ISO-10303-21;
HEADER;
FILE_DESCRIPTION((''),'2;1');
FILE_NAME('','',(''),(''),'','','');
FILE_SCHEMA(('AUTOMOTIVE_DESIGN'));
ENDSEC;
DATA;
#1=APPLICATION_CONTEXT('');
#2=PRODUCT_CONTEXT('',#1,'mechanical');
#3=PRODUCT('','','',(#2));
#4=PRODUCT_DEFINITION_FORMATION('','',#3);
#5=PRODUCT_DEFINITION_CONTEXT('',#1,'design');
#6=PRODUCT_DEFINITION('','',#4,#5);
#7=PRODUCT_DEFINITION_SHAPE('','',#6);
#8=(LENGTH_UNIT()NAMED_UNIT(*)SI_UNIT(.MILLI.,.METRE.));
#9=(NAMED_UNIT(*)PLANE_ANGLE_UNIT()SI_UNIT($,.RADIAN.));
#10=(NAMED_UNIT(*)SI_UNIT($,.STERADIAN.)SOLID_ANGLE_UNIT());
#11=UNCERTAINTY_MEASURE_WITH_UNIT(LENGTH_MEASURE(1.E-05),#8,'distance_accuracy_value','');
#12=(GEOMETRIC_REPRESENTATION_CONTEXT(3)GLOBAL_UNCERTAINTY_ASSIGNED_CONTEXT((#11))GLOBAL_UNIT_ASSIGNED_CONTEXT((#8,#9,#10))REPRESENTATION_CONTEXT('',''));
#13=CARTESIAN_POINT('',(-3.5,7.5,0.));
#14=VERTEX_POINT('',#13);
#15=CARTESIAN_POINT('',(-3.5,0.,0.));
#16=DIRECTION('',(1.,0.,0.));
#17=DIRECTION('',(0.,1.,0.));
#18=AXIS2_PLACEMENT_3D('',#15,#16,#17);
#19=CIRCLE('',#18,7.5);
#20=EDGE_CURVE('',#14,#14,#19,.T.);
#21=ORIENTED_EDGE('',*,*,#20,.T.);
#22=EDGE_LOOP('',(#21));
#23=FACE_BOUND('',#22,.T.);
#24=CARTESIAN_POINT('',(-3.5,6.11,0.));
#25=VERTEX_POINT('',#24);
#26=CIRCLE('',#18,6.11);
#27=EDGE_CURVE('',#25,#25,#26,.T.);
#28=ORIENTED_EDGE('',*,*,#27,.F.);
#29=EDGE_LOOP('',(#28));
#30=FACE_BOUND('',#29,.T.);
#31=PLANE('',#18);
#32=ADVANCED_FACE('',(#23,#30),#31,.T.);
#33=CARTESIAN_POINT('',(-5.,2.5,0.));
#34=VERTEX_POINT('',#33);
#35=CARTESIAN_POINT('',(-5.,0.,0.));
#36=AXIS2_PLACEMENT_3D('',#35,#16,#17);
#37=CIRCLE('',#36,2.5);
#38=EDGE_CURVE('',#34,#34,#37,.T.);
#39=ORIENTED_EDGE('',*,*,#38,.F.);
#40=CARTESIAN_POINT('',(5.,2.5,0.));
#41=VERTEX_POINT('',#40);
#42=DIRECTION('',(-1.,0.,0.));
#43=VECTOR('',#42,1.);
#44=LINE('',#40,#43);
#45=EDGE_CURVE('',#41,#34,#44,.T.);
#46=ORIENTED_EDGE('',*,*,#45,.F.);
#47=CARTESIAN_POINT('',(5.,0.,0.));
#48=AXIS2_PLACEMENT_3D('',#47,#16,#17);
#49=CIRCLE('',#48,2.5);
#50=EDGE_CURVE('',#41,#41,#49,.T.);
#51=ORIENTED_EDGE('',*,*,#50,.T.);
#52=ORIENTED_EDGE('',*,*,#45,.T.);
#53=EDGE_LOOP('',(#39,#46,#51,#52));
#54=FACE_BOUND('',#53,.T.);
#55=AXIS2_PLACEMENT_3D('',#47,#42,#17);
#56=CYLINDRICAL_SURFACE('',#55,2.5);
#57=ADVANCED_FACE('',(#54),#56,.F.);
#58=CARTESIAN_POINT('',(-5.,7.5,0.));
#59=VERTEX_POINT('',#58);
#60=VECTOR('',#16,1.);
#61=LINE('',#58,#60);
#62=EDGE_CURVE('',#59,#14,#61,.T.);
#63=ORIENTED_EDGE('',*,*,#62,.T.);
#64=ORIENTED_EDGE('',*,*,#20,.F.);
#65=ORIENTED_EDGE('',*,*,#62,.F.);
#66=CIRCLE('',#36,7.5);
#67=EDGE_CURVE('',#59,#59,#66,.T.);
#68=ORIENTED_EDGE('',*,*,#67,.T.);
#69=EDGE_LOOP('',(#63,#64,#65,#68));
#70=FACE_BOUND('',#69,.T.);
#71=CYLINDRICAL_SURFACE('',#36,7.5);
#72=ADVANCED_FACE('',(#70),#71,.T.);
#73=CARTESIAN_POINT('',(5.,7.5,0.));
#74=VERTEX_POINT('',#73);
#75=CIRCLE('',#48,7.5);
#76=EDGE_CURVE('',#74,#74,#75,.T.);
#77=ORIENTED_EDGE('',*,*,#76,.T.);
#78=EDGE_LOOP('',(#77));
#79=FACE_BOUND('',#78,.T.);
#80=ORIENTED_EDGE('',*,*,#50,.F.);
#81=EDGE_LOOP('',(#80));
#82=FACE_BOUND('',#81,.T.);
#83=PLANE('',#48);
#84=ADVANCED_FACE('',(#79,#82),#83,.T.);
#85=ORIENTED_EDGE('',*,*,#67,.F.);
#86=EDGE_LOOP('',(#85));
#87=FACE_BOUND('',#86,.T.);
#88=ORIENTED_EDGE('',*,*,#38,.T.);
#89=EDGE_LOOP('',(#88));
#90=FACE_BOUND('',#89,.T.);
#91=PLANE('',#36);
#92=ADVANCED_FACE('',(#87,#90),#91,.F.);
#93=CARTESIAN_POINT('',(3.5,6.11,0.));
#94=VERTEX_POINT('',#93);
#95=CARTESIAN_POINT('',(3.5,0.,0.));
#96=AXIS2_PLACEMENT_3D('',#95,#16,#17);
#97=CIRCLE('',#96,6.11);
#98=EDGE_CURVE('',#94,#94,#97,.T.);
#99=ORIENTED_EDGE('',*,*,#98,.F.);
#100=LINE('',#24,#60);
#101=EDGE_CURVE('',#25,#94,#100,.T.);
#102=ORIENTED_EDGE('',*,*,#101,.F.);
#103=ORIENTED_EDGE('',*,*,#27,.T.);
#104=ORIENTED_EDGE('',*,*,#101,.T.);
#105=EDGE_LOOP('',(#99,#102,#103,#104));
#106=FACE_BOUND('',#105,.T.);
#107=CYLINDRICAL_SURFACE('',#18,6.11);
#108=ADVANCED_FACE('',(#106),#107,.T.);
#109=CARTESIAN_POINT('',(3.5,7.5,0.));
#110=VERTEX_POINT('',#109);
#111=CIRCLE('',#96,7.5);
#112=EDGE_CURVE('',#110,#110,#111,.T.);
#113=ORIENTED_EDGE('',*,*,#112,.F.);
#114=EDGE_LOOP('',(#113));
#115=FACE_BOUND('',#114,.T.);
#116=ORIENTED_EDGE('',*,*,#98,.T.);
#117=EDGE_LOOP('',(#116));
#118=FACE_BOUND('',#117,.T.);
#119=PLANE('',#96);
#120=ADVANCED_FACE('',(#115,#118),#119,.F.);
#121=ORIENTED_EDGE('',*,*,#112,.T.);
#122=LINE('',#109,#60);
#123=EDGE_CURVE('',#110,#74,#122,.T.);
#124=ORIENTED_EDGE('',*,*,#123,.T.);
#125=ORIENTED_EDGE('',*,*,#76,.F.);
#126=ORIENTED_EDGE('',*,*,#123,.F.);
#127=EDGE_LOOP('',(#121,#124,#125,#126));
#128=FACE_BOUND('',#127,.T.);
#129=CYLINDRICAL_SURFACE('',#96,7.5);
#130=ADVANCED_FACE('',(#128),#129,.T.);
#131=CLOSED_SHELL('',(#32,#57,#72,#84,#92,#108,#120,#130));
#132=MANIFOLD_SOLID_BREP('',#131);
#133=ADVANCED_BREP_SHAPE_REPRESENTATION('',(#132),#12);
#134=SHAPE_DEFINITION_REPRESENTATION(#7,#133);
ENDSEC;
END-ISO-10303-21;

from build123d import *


with BuildPart() as part:
    # Sketch069 → Revolution002 (revolve)
    with BuildSketch(Plane.XY):
        Polygon((-3.5, 7.5), (-3.5, 6.11), (3.5, 6.11), (3.5, 7.5), (5, 7.5), (5, 2.5), (-5, 2.5), (-5, 7.5), align=None)
    revolve(axis=Axis((0, 0, 0), (1, 0, 0)))


solid = part.part
